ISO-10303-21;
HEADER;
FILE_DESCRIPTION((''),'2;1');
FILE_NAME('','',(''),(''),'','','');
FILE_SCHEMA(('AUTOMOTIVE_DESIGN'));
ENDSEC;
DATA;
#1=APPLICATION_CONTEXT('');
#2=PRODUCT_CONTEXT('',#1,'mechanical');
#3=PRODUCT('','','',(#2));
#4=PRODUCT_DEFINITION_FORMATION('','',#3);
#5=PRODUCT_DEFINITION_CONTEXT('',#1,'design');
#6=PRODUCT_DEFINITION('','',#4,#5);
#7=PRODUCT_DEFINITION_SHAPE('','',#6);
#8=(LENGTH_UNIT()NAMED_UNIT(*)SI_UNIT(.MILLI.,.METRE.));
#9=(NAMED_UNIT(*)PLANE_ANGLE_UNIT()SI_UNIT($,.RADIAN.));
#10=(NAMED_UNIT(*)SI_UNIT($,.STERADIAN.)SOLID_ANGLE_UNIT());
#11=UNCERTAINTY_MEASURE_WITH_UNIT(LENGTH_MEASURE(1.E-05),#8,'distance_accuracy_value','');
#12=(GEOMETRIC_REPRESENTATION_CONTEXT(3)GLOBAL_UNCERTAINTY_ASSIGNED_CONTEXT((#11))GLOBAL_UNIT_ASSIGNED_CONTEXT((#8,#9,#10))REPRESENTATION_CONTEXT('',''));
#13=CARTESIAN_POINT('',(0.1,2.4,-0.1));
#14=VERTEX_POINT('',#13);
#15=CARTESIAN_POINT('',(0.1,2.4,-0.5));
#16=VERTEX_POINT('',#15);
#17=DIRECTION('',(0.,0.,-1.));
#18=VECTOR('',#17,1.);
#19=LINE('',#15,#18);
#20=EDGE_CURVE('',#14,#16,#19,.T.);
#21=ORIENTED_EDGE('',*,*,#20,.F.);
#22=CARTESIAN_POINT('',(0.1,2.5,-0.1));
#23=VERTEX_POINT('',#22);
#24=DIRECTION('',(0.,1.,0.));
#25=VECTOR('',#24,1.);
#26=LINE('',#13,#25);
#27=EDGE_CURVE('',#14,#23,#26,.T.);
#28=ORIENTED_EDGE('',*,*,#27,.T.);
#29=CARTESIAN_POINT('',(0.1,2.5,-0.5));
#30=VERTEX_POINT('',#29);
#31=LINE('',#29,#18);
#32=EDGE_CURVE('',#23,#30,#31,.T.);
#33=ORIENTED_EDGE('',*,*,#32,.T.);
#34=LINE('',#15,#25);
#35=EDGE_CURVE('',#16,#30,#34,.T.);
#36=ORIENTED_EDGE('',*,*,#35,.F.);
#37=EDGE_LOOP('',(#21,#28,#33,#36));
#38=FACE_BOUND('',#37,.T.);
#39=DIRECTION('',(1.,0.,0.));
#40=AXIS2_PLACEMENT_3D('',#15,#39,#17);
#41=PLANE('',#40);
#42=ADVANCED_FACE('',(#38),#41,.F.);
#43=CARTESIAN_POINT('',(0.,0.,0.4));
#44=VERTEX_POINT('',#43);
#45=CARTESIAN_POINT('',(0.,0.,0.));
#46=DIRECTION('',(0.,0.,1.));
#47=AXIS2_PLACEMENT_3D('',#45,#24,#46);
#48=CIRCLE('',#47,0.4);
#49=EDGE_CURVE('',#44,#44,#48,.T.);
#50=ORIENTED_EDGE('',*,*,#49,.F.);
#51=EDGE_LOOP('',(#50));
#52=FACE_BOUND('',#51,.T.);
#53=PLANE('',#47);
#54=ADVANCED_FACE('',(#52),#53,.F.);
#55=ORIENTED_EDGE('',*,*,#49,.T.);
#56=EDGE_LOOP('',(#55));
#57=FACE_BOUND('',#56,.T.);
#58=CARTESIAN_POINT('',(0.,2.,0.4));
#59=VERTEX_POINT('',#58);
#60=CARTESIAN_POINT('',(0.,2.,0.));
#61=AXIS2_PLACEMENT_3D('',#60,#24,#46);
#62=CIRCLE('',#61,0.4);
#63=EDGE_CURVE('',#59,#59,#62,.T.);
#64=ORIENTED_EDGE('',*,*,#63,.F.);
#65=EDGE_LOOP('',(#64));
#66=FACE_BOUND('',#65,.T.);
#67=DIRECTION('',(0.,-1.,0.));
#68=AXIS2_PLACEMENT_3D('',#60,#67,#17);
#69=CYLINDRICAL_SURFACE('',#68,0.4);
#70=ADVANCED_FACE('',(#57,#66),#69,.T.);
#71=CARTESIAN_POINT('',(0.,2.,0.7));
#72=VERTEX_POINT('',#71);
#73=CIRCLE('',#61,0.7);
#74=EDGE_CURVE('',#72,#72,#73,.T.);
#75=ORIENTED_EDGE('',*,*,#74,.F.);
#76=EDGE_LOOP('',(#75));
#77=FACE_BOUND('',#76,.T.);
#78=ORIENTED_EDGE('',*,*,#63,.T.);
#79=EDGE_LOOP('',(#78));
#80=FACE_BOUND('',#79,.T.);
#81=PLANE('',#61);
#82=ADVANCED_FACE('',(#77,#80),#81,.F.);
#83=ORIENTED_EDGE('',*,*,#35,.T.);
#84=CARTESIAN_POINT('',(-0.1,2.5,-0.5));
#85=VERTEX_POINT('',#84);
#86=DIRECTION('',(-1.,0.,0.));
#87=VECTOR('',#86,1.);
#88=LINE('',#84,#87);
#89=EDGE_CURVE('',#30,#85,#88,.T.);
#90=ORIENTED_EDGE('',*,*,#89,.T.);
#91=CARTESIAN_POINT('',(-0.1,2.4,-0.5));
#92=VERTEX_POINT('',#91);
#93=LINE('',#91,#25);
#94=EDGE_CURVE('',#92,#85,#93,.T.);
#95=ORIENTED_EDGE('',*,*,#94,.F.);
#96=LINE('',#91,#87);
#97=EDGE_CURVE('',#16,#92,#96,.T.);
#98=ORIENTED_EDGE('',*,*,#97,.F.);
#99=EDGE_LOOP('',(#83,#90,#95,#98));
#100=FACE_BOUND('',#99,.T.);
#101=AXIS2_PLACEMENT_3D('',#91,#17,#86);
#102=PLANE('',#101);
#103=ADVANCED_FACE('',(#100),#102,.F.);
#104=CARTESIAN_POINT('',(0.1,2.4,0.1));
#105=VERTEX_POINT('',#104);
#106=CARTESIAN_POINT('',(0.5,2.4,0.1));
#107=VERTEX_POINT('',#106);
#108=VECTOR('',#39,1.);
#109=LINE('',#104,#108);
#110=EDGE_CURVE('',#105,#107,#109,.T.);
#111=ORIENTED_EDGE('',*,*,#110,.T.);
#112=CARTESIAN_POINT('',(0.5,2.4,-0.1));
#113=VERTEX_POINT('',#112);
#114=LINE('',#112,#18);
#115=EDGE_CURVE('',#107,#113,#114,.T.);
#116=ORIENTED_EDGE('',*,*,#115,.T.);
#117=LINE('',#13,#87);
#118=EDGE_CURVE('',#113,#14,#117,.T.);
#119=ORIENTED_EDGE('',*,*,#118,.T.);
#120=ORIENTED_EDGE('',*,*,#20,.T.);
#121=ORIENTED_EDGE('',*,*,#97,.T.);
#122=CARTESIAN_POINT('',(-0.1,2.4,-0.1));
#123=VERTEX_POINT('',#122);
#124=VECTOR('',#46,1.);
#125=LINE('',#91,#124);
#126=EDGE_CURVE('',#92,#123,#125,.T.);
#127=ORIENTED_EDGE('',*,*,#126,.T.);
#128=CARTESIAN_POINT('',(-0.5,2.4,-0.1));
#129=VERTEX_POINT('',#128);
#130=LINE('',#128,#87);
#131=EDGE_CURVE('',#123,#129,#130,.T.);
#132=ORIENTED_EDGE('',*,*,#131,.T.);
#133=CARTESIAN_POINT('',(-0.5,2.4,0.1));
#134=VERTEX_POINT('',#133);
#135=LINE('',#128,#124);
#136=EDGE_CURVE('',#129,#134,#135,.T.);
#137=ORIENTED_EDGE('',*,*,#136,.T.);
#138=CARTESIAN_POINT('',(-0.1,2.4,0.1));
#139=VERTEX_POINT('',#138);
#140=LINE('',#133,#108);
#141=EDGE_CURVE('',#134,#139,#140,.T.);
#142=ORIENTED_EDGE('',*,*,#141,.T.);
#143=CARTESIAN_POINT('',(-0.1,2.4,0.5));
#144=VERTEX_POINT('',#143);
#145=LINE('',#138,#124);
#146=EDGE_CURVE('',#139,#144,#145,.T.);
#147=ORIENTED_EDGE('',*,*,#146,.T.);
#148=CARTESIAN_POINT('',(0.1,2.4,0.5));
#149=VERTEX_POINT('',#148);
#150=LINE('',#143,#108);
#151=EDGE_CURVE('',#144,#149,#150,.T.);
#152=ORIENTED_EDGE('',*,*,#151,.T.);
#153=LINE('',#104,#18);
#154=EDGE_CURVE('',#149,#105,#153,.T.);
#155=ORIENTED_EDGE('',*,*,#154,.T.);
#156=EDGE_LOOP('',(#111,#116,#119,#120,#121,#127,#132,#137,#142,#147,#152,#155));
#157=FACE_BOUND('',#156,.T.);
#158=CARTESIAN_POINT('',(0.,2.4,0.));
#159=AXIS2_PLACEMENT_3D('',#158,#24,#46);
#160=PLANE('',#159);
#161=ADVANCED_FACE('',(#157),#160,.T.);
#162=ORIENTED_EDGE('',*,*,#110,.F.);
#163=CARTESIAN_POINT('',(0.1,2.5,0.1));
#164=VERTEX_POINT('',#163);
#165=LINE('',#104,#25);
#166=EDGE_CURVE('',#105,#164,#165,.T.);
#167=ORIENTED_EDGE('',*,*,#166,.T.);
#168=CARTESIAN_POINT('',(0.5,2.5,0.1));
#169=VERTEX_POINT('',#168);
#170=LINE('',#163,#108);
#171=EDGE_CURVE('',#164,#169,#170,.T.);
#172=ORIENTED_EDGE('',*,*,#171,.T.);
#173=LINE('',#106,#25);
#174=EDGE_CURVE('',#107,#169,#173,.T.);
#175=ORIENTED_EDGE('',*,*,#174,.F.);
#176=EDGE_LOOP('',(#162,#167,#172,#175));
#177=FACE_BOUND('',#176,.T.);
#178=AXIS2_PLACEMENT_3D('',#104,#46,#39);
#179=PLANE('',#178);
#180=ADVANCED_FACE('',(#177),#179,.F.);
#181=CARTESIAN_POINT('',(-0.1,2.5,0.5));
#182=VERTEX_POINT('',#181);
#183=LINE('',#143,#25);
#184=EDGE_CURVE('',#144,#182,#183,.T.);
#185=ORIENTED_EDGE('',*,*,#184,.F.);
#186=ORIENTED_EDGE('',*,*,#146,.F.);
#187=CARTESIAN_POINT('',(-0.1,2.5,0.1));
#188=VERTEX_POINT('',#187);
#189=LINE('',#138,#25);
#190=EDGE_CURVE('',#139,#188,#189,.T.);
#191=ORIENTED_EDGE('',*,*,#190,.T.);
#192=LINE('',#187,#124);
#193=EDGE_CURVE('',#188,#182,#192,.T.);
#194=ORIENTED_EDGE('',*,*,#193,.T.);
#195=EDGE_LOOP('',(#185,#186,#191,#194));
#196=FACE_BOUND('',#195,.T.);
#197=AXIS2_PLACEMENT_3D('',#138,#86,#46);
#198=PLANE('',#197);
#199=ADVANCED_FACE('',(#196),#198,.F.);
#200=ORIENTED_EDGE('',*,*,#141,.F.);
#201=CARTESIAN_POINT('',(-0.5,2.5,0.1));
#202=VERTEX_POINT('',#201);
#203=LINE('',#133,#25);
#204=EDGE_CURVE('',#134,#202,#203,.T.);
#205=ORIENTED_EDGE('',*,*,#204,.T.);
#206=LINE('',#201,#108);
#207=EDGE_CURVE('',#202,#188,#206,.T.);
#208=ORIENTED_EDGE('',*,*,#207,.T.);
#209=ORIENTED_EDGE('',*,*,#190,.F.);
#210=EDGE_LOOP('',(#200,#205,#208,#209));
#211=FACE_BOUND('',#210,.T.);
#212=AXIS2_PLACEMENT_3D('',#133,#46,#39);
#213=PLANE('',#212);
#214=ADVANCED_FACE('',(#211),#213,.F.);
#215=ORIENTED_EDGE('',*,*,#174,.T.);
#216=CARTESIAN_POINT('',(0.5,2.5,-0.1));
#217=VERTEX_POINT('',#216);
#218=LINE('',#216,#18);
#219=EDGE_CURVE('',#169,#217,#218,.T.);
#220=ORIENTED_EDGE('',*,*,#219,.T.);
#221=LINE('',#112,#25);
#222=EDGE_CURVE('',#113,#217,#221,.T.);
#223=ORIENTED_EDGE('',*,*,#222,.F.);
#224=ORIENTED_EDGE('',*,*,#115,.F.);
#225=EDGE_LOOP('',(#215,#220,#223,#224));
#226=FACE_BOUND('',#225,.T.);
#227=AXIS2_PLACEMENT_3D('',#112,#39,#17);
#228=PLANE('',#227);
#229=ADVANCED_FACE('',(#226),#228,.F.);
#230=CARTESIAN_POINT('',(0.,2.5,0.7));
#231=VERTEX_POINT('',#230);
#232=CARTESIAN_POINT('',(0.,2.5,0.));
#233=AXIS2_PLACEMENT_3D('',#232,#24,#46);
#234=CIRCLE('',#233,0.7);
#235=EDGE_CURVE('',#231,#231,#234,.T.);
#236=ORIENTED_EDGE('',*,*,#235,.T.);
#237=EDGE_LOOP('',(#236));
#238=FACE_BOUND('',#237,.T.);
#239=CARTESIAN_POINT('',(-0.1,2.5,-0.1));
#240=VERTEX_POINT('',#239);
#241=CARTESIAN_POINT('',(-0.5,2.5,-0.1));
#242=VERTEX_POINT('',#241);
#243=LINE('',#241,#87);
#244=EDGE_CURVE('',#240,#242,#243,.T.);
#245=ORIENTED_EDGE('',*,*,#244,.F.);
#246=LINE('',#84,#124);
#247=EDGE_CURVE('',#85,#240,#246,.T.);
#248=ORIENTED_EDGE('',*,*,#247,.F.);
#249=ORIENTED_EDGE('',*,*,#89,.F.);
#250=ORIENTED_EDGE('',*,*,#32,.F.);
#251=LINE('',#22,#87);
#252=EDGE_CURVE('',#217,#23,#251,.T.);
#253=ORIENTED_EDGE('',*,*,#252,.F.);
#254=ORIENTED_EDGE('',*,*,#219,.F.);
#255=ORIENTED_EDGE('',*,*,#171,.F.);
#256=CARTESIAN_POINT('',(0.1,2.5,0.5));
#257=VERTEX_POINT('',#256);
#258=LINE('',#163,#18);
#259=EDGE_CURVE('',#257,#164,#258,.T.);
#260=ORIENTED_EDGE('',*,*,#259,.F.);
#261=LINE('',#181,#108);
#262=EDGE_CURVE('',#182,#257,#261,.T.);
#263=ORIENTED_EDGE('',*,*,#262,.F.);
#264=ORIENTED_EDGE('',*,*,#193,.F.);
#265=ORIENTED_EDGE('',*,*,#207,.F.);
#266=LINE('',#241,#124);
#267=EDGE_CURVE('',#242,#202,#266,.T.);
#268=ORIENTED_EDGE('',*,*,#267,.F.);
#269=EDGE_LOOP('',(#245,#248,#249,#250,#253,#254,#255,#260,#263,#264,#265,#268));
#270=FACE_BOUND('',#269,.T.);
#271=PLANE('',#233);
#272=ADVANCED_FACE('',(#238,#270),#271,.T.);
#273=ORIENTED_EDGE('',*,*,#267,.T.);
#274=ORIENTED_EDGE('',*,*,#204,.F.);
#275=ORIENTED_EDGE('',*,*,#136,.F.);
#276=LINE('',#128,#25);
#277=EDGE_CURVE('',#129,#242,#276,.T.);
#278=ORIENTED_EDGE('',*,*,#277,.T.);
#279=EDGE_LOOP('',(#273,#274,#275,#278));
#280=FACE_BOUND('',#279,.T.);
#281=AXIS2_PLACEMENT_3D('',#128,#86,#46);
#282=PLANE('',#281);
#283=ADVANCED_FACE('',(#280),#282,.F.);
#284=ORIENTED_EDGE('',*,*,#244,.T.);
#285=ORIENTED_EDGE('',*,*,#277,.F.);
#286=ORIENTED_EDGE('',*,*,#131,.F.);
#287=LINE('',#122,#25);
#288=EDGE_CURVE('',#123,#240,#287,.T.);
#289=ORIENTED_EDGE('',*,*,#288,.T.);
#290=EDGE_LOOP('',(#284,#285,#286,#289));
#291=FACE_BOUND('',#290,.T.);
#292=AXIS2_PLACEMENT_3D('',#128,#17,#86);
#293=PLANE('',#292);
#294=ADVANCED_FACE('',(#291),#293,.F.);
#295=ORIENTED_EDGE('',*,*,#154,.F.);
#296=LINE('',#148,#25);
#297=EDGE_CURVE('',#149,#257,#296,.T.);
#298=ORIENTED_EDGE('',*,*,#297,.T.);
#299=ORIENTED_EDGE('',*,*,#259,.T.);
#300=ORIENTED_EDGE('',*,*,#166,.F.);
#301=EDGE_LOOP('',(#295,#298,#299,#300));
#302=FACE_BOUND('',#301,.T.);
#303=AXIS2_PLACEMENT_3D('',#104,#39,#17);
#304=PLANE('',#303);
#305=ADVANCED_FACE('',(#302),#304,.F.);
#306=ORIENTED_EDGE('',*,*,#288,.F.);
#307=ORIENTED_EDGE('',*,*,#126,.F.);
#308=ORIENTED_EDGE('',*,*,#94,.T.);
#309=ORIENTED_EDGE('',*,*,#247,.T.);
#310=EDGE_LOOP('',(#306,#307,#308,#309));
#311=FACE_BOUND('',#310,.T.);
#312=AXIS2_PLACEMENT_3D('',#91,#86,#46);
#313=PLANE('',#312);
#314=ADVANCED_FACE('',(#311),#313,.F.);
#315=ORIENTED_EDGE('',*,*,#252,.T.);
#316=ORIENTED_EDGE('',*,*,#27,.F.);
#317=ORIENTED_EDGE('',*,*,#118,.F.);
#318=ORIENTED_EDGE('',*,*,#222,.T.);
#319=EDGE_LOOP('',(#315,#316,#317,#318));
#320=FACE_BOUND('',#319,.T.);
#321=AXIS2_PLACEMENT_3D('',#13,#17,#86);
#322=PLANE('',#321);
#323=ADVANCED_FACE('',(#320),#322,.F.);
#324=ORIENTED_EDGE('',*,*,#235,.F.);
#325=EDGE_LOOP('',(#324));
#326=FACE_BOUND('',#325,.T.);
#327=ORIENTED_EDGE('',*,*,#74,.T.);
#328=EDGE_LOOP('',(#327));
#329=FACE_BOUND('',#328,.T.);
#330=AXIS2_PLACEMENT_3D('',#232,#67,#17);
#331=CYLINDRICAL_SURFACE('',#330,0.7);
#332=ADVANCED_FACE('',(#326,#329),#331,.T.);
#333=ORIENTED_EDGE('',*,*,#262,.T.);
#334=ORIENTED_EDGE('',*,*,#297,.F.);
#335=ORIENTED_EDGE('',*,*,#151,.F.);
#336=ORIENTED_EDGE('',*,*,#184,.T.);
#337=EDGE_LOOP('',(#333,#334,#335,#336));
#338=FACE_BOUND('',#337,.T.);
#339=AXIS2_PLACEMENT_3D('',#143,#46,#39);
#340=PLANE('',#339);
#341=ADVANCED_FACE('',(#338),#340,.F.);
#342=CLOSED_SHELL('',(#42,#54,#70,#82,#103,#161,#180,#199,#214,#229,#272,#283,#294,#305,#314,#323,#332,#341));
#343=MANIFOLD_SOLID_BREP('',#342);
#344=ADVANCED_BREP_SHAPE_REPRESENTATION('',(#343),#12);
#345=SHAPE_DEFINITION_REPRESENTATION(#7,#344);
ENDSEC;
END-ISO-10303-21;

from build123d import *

# Parameters (mm, degrees)
SKETCH1_R           = 0.4
BOSS_EXTRUDE1_DEPTH = 2
SKETCH2_R           = 0.7
BOSS_EXTRUDE2_DEPTH = 0.5
CUT_EXTRUDE1_DEPTH  = 0.1


with BuildPart() as part:
    # Sketch1 → Boss-Extrude1 (new body)
    with BuildSketch(Plane(origin=(0, 0, 0), x_dir=(1, 0, 0), z_dir=(0, 1, 0))):
        with Locations(Location((0, 0, 0), (0, 0, 270))):
            Circle(SKETCH1_R)
    extrude(amount=BOSS_EXTRUDE1_DEPTH)

    # Sketch2 → Boss-Extrude2 (add)
    with BuildSketch(Plane(origin=(0, 2, 0), x_dir=(1, 0, 0), z_dir=(0, 1, 0))):
        with Locations(Location((0, 0, 0), (0, 0, 270))):
            Circle(SKETCH2_R)
    extrude(amount=BOSS_EXTRUDE2_DEPTH)

    # Sketch3 → Cut-Extrude1 (cut)
    with BuildSketch(Plane(origin=(0, 2.5, 0), x_dir=(1, 0, 0), z_dir=(0, 1, 0))):
        Polygon((-0.1, -0.1), (-0.1, -0.5), (0.1, -0.5), (0.1, -0.1), (0.5, -0.1), (0.5, 0.1), (0.1, 0.1), (0.1, 0.5), (-0.1, 0.5), (-0.1, 0.1), (-0.5, 0.1), (-0.5, -0.1), align=None)
    extrude(amount=-CUT_EXTRUDE1_DEPTH, mode=Mode.SUBTRACT)


solid = part.part
